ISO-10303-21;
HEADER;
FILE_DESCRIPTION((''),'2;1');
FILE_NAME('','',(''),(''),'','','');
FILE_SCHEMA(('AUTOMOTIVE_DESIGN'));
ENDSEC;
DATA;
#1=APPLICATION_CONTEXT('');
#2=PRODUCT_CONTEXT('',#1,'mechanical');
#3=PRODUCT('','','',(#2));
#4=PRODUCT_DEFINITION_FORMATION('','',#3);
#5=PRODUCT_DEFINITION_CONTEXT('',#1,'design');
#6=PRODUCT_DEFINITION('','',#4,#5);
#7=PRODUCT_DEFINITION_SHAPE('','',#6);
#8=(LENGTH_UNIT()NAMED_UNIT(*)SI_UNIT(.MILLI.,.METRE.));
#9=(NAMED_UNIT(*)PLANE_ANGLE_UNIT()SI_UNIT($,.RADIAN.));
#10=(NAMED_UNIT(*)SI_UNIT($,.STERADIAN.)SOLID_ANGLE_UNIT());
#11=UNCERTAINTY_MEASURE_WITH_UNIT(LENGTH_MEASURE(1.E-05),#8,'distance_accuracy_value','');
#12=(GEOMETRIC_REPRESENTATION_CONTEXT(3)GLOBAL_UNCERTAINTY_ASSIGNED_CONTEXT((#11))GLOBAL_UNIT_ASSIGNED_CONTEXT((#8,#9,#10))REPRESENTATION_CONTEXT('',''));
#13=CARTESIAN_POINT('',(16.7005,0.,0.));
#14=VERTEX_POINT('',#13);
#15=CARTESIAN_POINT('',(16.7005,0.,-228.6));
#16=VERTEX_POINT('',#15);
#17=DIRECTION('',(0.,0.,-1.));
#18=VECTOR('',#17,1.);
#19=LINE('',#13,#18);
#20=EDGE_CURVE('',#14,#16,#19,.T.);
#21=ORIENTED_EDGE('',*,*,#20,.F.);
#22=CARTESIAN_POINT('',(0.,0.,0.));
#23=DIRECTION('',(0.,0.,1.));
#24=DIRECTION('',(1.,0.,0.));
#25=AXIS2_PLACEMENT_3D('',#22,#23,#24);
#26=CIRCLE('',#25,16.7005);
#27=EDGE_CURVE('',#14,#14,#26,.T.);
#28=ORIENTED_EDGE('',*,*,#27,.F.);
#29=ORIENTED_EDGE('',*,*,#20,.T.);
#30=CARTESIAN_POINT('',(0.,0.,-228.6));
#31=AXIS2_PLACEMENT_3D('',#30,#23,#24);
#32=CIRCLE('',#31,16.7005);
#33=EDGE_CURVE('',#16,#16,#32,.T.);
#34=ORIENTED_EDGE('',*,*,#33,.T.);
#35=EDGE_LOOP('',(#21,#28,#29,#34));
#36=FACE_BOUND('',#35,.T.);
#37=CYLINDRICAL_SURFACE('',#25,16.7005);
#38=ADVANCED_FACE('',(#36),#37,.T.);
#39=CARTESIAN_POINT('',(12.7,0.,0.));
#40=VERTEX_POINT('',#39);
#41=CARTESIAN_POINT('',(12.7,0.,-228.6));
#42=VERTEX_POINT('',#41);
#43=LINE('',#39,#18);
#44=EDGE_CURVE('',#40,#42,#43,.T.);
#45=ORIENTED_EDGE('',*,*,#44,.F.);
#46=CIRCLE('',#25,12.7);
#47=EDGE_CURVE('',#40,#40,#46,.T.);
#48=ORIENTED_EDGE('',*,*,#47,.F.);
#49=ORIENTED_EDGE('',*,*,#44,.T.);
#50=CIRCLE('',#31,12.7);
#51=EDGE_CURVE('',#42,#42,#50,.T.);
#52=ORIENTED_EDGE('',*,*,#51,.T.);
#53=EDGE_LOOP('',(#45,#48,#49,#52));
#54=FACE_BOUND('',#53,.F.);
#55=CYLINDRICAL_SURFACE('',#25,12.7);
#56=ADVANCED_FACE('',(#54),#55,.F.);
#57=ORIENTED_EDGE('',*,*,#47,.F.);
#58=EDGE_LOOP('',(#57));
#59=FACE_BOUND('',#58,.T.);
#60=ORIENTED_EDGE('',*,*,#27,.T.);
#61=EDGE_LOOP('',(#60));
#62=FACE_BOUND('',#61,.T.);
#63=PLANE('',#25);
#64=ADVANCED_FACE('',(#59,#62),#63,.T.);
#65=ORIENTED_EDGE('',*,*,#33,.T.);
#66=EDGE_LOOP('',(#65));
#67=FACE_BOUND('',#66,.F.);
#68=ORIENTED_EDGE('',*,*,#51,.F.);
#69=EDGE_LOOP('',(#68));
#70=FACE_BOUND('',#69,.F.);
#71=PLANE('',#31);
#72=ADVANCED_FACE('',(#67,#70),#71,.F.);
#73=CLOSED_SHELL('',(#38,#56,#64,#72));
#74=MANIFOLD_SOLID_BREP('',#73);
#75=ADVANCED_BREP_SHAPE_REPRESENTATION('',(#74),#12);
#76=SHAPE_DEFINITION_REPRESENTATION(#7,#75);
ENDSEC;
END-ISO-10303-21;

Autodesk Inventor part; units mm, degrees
ref_plane "YZ Plane" through (0, 0, 0) normal (1, 0, 0) x (0, 1, 0)
ref_plane "XZ Plane" through (0, 0, 0) normal (0, 1, 0) x (-1, 0, 0)
ref_plane "XY Plane" through (0, 0, 0) normal (0, 0, 1) x (1, 0, 0)
sketch "Sketch1" plane through (0, 0, 0) normal (0, 0, 1) x (1, 0, 0)
  circle A0 centre (0, 0) radius 16.7005
  circle A1 centre (0, 0) radius 12.7
  dimension "d0" = 33.401
  dimension "d1" = 25.4
extrude "Extrusion1" add sketch "Sketch1" against normal blind 228.6
properties part number "Euph Pipe 3"
